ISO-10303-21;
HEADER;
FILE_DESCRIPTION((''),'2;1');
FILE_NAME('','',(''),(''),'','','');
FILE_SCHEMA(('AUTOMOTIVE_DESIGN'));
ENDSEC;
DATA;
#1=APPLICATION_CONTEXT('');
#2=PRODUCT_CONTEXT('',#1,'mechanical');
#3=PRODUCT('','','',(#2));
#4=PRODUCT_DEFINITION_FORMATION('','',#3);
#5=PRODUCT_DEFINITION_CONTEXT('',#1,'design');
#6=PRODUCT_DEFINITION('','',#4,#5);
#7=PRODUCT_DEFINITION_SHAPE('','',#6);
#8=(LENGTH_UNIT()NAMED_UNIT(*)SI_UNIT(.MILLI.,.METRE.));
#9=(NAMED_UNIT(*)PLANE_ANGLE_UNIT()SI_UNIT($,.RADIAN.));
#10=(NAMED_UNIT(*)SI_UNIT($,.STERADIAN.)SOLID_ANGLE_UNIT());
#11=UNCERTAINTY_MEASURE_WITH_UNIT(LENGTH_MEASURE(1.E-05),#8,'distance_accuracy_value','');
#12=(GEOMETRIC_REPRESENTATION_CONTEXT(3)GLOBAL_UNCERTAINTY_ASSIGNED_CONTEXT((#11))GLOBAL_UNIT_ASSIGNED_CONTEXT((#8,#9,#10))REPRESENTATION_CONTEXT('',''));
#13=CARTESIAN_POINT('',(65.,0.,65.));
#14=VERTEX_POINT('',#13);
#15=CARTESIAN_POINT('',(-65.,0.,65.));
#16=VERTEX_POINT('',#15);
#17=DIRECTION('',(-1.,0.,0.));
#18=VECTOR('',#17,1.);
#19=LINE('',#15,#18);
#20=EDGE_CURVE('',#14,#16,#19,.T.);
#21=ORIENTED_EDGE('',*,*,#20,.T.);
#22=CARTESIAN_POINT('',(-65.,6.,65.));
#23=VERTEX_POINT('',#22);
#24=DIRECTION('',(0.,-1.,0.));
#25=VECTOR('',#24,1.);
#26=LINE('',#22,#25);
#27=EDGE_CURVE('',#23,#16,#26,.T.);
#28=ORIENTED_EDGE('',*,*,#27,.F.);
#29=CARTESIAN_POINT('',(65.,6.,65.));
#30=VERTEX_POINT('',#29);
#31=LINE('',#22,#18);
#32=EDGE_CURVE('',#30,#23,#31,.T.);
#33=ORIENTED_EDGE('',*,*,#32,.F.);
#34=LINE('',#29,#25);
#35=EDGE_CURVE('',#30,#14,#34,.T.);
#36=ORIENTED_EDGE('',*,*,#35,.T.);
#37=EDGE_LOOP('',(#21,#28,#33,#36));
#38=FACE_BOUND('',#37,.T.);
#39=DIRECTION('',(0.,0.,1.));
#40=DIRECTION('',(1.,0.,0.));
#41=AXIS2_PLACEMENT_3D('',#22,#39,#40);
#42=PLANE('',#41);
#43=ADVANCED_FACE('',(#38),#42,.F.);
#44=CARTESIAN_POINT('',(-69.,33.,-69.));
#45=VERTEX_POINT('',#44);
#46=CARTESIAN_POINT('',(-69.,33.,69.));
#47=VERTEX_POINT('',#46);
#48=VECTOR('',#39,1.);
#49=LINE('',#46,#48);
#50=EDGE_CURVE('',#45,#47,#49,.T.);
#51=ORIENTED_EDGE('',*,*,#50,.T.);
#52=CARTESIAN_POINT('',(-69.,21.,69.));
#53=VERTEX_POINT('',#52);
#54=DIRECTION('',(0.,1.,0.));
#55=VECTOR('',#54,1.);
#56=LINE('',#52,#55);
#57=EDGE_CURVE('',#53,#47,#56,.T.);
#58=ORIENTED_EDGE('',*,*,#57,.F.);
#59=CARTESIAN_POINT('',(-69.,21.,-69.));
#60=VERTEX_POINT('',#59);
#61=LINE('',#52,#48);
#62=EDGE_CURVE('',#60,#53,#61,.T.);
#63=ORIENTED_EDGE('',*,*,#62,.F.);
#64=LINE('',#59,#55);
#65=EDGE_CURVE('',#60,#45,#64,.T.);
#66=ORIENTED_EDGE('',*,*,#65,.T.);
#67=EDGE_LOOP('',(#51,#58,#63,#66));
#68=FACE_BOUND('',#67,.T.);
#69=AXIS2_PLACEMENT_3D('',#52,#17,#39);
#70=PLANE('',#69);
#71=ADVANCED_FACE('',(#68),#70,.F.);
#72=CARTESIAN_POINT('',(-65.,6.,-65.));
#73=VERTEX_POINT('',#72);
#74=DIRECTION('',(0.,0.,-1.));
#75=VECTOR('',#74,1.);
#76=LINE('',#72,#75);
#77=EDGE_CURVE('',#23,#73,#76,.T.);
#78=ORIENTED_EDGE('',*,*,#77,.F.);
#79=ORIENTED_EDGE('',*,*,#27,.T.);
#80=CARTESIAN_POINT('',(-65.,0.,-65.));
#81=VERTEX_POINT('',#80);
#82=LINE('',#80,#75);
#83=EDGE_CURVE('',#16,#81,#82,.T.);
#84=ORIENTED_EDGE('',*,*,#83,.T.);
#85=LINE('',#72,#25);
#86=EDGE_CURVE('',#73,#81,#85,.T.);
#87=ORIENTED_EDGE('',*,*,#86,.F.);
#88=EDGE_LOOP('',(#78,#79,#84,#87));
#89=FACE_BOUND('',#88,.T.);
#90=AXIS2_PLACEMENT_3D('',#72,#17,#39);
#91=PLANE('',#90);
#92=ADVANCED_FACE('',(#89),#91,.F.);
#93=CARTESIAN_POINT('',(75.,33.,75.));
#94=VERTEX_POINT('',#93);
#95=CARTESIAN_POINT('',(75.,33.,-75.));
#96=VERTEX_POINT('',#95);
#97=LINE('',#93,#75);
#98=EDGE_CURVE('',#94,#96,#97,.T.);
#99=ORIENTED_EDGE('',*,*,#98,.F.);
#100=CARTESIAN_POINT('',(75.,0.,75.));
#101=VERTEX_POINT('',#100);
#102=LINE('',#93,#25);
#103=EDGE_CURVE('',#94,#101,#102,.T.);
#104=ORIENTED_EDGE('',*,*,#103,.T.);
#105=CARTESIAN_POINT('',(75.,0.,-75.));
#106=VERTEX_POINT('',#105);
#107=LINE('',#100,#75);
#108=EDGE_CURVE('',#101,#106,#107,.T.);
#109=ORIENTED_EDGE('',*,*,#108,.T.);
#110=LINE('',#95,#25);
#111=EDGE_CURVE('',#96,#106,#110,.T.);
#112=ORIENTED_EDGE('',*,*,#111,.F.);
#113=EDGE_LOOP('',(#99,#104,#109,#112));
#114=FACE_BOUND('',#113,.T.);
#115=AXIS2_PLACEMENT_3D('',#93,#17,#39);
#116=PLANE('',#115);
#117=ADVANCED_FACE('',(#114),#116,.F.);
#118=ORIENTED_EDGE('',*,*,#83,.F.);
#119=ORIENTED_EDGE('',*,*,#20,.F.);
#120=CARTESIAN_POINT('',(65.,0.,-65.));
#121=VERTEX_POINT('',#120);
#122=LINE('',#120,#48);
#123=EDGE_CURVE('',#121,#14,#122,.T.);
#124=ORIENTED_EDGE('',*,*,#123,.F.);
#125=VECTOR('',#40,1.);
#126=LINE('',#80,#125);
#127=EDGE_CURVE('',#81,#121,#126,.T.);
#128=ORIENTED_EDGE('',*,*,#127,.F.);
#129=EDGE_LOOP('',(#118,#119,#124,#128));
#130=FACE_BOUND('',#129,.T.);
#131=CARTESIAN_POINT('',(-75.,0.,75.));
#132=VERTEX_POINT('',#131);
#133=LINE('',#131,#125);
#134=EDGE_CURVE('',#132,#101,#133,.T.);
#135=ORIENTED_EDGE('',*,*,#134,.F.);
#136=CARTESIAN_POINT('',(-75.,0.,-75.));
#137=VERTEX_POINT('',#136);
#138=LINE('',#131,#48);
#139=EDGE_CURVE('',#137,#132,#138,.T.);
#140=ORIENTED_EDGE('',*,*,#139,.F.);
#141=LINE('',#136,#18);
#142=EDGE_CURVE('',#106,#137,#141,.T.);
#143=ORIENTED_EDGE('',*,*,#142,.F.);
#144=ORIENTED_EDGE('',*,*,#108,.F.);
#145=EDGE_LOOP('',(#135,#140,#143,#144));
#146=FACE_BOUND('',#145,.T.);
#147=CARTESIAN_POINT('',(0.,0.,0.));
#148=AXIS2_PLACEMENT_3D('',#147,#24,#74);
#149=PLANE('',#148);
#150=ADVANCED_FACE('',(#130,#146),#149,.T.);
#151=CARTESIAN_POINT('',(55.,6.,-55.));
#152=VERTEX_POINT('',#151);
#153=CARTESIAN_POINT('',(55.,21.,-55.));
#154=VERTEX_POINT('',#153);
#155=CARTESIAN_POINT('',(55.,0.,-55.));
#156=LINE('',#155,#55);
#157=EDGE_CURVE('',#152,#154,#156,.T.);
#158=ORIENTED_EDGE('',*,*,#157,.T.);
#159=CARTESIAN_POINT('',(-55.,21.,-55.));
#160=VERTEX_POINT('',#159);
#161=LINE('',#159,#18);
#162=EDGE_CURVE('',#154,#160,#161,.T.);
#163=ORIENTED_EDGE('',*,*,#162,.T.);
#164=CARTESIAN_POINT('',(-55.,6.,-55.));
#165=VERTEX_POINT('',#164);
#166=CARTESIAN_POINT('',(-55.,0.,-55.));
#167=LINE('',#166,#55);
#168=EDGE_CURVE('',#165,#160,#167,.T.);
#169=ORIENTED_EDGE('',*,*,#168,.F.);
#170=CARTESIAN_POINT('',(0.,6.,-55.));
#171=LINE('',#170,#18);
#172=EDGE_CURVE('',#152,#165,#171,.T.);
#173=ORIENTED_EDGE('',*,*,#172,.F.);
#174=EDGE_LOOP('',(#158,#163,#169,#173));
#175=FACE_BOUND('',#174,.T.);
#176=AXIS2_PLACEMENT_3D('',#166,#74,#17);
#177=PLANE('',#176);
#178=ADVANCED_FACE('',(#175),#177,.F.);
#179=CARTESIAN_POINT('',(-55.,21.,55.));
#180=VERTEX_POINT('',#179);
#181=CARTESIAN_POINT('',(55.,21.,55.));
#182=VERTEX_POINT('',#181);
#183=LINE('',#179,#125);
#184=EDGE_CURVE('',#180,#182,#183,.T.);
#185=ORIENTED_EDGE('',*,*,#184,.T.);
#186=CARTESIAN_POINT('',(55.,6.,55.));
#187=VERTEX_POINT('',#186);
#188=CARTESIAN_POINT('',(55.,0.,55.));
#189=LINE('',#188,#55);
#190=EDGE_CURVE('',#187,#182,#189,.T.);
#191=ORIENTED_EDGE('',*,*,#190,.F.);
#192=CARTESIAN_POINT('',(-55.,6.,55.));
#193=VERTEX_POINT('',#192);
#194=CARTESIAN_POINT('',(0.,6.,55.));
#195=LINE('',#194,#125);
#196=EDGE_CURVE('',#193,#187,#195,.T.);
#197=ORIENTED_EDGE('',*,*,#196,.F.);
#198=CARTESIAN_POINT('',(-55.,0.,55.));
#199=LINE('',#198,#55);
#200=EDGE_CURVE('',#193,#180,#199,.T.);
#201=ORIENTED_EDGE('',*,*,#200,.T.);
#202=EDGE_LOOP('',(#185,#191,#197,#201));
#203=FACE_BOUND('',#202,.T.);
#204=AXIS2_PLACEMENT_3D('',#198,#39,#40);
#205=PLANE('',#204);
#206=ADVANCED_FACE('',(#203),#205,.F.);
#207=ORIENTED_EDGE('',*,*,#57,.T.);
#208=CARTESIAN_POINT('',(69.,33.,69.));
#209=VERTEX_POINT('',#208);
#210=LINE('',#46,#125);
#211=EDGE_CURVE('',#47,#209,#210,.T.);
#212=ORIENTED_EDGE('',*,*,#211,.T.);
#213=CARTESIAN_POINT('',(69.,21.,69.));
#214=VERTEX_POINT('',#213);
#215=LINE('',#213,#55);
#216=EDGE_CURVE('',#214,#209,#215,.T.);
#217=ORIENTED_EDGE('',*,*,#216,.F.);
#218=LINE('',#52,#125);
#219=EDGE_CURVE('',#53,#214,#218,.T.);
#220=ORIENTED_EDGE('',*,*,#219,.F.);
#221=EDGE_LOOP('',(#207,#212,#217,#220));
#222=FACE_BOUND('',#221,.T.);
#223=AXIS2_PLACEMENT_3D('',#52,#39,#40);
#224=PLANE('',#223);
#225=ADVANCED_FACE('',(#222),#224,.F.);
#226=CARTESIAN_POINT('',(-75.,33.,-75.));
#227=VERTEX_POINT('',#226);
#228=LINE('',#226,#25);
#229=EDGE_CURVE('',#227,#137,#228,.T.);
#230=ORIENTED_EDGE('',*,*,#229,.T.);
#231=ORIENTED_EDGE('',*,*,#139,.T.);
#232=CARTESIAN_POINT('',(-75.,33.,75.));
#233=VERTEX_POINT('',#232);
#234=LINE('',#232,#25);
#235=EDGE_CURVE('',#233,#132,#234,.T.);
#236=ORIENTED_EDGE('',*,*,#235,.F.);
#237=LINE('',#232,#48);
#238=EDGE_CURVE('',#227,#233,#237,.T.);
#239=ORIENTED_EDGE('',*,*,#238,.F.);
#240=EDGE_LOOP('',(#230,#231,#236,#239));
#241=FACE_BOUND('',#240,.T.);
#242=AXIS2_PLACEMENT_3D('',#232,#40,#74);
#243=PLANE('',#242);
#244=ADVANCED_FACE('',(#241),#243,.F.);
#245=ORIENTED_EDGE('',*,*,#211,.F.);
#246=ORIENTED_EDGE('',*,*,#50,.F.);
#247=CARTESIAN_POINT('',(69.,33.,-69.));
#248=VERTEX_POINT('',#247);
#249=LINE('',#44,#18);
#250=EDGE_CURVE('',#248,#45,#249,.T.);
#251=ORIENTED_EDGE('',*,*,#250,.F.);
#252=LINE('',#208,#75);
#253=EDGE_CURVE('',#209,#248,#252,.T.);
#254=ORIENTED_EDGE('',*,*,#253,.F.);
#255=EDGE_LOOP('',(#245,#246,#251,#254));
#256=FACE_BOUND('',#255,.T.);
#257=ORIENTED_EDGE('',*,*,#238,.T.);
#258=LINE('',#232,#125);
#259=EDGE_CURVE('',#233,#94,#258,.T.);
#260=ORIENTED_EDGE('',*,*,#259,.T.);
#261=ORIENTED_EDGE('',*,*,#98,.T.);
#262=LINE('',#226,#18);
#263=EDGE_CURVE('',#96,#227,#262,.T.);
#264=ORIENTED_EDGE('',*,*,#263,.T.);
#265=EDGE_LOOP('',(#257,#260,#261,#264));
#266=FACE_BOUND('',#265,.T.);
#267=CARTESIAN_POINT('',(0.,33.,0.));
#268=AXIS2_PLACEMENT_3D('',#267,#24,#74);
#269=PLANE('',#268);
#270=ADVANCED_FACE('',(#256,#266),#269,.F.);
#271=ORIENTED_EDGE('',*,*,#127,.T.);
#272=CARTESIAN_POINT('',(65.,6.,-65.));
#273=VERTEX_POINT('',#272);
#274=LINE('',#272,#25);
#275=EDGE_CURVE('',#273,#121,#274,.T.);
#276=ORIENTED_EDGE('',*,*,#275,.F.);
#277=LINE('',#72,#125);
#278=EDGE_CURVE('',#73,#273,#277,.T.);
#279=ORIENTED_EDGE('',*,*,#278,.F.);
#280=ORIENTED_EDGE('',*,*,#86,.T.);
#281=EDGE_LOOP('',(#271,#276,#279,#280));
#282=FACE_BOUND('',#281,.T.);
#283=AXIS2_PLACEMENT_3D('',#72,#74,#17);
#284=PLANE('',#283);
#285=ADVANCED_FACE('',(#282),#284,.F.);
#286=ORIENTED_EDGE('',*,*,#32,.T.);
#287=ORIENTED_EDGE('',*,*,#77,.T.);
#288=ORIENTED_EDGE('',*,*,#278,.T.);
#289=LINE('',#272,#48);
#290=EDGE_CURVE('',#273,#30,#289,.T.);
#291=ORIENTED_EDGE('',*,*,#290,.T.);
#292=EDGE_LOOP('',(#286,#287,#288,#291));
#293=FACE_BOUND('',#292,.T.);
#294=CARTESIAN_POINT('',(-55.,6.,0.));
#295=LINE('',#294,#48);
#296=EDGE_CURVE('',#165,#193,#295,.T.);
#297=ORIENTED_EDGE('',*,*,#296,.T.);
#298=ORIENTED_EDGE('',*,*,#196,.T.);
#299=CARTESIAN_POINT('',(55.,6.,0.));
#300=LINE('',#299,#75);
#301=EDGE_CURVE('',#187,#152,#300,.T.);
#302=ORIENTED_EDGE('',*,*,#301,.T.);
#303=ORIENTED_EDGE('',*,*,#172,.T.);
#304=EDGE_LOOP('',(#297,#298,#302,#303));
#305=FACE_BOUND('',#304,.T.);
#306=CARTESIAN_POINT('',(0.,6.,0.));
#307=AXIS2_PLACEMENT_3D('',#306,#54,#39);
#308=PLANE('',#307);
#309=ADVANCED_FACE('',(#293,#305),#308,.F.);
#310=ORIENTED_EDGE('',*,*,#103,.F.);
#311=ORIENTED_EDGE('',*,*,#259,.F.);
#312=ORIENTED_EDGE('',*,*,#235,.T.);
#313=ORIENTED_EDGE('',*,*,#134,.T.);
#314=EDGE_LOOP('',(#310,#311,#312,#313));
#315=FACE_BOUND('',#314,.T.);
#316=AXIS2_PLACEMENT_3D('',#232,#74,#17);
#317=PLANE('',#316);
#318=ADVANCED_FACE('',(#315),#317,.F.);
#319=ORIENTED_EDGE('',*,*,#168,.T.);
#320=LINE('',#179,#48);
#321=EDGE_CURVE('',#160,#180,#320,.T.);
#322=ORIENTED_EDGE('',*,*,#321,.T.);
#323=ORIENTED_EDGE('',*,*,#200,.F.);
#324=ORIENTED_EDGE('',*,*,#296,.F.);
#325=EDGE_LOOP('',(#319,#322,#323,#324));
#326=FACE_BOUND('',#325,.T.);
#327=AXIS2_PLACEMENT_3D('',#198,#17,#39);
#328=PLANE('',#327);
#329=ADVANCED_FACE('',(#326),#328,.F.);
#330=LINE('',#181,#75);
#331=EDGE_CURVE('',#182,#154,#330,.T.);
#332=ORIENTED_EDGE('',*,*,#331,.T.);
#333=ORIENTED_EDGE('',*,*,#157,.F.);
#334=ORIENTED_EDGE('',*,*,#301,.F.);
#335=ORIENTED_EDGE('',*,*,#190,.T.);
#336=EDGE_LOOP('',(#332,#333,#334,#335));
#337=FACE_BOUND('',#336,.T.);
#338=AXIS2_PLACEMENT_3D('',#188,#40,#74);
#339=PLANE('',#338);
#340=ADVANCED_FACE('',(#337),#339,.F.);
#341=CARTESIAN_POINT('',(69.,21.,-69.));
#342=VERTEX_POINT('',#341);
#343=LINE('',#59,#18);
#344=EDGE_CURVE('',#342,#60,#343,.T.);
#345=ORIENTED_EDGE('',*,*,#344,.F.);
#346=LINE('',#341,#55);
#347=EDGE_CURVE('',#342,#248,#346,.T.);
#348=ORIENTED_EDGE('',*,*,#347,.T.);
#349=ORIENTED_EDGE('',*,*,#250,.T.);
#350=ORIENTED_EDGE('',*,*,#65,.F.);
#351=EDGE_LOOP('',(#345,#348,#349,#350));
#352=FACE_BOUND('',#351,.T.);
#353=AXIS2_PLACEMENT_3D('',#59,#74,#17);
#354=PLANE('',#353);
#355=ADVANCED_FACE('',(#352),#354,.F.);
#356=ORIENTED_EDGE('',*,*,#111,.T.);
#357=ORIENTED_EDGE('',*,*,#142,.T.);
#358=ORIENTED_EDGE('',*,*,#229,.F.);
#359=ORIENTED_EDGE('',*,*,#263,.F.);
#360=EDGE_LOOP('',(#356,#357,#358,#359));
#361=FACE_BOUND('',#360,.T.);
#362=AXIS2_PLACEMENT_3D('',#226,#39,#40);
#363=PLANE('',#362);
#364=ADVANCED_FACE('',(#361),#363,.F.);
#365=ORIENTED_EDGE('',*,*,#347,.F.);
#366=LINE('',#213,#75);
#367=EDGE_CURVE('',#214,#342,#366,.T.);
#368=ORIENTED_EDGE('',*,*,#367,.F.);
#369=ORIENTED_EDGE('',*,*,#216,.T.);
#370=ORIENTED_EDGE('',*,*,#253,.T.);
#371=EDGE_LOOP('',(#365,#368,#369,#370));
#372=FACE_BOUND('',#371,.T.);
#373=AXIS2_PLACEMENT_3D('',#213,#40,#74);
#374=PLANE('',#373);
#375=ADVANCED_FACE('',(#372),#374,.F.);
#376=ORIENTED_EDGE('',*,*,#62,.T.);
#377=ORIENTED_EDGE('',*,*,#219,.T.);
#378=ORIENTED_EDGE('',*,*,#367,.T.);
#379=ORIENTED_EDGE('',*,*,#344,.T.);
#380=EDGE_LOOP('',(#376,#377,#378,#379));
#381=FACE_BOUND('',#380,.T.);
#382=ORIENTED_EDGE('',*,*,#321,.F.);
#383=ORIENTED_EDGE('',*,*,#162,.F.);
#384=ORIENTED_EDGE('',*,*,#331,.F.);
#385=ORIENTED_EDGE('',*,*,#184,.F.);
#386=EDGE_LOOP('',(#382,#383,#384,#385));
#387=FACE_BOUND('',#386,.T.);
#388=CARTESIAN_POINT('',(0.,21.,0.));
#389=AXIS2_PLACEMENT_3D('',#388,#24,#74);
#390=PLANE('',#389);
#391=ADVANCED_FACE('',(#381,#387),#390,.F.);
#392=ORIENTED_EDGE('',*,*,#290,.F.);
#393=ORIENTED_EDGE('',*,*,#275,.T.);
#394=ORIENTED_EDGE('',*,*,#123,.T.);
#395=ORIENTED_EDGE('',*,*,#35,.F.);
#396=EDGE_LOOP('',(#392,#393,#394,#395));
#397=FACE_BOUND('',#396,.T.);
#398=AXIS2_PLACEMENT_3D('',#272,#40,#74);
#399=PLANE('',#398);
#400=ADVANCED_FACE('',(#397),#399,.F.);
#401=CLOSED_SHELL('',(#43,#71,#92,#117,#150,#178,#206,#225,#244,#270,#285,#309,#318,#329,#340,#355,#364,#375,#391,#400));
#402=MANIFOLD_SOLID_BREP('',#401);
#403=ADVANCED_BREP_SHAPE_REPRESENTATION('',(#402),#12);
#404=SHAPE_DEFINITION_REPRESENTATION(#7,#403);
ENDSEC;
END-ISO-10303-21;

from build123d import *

# Parameters (mm, degrees)
SKETCH_1_W          = 150
SKETCH_1_H          = 150
EXTRUDE_1_DEPTH     = 33
SKETCH_2_W          = 138
SKETCH_2_H          = 138
CUT_EXTRUDE_1_DEPTH = 12
SKETCH_3_W          = 130
SKETCH_3_H          = 130
CUT_EXTRUDE_2_DEPTH = 6
SKETCH_4_W          = 110
SKETCH_4_H          = 110
CUT_EXTRUDE_3_DEPTH = 109.124927746


with BuildPart() as part:
    # Эскиз1 → Бобышка-Вытянуть1 (new body)
    with BuildSketch(Plane(origin=(0, 0, 0), x_dir=(1, 0, 0), z_dir=(0, 1, 0))):
        Rectangle(SKETCH_1_W, SKETCH_1_H)
    extrude(amount=EXTRUDE_1_DEPTH)

    # Эскиз2 → Вырез-Вытянуть1 (cut)
    with BuildSketch(Plane(origin=(0, 33, 0), x_dir=(1, 0, 0), z_dir=(0, 1, 0))):
        Rectangle(SKETCH_2_W, SKETCH_2_H)
    extrude(amount=-CUT_EXTRUDE_1_DEPTH, mode=Mode.SUBTRACT)

    # Эскиз3 → Вырез-Вытянуть2 (cut)
    with BuildSketch(Plane(origin=(0, 0, 0), x_dir=(-1, 0, 0), z_dir=(0, -1, 0))):
        Rectangle(SKETCH_3_W, SKETCH_3_H)
    extrude(amount=-CUT_EXTRUDE_2_DEPTH, mode=Mode.SUBTRACT)

    # Эскиз4 → Вырез-Вытянуть3 (cut, through all)
    with BuildSketch(Plane(origin=(0, 21, 0), x_dir=(1, 0, 0), z_dir=(0, 1, 0))):
        Rectangle(SKETCH_4_W, SKETCH_4_H)
    extrude(amount=-CUT_EXTRUDE_3_DEPTH, mode=Mode.SUBTRACT)


solid = part.part
